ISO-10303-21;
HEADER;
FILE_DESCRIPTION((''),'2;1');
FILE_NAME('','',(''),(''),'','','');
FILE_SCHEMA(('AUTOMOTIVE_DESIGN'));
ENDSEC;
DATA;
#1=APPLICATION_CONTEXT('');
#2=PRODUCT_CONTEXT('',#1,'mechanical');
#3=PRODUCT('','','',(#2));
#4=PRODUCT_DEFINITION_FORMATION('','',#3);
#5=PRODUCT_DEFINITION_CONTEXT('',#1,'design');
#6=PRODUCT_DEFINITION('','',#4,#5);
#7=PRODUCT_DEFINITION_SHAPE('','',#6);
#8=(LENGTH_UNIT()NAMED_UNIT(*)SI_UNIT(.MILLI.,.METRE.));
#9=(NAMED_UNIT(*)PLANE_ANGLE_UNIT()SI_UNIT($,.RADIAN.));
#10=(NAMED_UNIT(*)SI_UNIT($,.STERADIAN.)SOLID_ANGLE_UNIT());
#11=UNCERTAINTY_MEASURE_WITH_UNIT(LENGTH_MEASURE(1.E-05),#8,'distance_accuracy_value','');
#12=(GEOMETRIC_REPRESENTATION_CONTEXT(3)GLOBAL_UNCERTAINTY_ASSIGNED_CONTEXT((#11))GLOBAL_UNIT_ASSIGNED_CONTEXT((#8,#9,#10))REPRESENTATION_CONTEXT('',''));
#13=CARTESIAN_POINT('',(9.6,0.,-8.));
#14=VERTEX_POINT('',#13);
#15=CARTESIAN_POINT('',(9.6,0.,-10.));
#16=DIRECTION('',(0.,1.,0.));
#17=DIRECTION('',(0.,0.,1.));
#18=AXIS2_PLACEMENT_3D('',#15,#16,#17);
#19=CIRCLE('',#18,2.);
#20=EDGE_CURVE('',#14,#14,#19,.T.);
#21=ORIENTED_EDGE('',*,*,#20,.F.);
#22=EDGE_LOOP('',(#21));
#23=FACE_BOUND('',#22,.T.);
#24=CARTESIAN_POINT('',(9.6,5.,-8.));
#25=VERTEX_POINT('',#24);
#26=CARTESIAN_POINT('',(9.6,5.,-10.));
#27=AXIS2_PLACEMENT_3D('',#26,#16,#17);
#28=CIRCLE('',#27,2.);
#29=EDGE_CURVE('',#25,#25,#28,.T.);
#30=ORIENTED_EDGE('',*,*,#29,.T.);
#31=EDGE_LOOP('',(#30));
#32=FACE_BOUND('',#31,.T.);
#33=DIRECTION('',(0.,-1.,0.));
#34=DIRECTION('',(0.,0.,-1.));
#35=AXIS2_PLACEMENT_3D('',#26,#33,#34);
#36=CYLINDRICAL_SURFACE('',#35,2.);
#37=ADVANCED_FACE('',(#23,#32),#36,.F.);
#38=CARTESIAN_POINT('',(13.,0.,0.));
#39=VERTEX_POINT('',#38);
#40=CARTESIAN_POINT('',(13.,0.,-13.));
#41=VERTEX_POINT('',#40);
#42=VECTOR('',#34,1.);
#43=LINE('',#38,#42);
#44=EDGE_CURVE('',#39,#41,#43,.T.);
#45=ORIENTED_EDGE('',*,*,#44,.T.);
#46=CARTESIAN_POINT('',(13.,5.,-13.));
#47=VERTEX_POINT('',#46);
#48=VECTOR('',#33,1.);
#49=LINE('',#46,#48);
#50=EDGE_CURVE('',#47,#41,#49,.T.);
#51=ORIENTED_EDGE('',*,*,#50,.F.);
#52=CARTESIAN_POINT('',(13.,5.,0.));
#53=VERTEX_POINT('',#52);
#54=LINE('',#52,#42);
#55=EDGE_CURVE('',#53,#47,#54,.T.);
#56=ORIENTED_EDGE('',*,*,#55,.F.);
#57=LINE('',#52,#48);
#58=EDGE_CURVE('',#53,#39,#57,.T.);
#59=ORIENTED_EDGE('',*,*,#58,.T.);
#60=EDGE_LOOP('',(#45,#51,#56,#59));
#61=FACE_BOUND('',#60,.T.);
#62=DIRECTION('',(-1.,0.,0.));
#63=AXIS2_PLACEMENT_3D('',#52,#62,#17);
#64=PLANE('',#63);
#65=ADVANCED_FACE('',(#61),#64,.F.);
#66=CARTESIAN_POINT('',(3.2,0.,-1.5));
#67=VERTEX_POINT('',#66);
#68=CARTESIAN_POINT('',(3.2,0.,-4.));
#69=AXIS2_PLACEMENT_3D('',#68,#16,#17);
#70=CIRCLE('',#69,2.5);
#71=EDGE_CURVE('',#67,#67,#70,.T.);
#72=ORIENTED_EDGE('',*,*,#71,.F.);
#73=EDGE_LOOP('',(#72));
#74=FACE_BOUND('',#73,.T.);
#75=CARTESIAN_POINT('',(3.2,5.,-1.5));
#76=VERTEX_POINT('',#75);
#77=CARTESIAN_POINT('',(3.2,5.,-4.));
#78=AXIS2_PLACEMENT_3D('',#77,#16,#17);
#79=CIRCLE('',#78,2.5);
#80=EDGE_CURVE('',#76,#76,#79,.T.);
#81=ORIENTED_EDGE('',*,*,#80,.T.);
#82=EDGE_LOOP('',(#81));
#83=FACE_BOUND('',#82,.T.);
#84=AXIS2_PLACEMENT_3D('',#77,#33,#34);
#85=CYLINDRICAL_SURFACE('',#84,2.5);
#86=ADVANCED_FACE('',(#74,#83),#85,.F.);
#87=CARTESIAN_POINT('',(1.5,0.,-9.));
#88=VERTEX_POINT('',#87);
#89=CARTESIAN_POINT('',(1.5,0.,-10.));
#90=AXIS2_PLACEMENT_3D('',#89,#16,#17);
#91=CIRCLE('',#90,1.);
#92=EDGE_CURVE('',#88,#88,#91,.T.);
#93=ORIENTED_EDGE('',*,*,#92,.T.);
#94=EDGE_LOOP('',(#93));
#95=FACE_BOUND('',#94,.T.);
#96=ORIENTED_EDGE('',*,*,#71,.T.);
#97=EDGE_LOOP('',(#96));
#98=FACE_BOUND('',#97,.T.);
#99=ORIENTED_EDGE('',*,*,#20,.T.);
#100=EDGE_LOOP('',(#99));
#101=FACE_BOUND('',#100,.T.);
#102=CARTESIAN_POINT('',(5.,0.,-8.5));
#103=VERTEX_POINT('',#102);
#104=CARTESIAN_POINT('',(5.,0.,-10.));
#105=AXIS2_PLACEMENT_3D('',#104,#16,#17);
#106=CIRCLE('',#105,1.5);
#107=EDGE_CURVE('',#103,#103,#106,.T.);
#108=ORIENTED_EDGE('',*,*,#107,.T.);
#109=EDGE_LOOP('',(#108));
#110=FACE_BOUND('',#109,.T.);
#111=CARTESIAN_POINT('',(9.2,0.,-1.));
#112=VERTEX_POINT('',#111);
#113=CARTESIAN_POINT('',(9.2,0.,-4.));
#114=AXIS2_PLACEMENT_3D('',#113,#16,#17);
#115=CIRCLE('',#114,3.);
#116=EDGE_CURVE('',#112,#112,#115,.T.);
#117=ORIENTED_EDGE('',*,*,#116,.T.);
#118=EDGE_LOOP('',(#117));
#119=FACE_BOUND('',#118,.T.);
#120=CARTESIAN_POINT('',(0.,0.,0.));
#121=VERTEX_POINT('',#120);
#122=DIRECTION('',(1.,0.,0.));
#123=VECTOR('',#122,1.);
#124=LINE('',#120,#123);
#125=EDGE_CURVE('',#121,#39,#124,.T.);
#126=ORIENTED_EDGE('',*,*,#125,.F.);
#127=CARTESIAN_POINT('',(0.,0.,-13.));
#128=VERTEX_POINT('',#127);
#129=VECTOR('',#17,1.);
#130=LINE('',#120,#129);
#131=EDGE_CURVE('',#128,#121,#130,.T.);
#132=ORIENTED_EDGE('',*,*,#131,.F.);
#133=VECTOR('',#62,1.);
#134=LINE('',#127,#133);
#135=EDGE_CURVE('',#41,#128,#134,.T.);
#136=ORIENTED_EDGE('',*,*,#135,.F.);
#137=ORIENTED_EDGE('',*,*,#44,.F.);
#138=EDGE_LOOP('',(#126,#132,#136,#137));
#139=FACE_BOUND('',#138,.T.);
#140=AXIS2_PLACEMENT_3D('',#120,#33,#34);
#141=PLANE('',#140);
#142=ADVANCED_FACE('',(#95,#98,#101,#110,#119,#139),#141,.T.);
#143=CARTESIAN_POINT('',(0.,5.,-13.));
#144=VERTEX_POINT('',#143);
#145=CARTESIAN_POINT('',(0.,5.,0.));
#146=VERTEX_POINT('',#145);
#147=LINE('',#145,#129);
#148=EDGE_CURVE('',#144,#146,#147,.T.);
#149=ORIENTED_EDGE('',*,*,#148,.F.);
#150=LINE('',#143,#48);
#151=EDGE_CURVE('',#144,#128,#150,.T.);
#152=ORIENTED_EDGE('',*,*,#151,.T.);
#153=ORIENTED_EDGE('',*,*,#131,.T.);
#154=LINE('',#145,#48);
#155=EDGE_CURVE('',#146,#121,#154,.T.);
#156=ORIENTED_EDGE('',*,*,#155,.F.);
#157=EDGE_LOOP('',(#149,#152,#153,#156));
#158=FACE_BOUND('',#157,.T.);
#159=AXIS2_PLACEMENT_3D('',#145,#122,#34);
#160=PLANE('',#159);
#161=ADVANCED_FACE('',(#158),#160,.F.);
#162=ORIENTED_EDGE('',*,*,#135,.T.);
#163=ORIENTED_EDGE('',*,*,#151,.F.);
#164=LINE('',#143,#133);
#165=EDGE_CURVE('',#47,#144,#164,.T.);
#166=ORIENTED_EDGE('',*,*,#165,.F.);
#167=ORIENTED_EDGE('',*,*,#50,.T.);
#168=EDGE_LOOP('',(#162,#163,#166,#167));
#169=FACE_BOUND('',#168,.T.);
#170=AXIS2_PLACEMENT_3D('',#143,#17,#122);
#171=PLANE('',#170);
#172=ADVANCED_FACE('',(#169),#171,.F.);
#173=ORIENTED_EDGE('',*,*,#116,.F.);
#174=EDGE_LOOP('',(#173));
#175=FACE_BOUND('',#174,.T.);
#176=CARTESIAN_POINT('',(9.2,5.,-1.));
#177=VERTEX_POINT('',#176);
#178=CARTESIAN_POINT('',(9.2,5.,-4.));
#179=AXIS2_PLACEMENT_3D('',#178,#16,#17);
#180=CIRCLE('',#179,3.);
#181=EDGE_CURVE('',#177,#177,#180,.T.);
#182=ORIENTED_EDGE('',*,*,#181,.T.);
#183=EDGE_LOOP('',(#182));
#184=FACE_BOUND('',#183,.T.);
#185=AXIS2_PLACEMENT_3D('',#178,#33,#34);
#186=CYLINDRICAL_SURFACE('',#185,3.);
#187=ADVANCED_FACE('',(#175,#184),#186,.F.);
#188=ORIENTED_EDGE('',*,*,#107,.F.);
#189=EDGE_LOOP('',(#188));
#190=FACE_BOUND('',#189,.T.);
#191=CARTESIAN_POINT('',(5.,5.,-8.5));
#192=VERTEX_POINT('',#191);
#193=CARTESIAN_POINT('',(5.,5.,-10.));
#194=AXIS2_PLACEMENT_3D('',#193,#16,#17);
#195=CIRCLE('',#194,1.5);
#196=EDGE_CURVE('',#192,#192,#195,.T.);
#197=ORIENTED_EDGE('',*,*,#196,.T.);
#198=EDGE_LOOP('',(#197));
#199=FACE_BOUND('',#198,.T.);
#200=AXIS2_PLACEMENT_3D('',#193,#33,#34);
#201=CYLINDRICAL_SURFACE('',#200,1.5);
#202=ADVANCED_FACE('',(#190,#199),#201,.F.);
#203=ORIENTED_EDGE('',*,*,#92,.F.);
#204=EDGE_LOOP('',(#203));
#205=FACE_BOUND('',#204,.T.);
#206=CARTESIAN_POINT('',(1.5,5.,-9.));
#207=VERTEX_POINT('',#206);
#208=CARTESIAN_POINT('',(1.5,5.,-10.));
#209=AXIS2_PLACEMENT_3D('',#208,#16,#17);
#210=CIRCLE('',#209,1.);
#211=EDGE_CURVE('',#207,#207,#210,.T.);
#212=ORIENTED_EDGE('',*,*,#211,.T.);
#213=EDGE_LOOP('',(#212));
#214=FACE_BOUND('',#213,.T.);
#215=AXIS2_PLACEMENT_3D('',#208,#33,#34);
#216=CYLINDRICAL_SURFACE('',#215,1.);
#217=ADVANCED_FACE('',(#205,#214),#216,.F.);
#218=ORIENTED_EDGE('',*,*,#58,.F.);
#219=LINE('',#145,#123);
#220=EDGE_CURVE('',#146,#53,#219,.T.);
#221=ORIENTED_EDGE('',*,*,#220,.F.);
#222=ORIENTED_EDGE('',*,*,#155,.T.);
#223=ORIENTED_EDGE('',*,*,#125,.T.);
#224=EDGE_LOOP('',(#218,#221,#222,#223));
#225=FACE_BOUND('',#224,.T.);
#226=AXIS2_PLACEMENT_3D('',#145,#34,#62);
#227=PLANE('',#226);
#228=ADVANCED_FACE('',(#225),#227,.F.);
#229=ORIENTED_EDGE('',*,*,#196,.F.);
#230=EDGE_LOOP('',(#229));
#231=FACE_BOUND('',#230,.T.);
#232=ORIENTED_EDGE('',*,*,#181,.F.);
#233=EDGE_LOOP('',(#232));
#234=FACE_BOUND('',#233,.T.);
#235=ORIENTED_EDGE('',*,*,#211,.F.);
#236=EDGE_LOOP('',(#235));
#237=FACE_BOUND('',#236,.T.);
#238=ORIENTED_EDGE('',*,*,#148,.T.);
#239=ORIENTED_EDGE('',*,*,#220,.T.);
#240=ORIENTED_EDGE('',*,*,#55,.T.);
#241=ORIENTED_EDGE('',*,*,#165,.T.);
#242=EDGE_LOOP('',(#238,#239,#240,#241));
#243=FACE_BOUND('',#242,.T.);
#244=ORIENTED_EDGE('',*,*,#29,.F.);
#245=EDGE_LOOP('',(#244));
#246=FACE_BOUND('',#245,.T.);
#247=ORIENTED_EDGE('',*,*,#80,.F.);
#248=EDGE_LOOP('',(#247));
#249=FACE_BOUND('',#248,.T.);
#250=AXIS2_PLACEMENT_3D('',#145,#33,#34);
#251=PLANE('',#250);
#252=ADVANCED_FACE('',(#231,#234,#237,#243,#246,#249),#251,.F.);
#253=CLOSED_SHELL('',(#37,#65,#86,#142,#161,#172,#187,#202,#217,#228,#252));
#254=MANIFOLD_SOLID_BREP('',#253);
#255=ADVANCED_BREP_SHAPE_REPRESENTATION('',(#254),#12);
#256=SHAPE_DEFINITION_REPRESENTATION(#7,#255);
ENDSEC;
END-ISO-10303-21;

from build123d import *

# Parameters (mm, degrees)
SKETCH1_W           = 13
SKETCH1_H           = 13
SKETCH1_R           = 1
SKETCH1_R_2         = 1.5
SKETCH1_R_3         = 2
SKETCH1_R_4         = 2.5
SKETCH1_R_5         = 3
BOSS_EXTRUDE1_DEPTH = 5


with BuildPart() as part:
    # Sketch1 → Boss-Extrude1 (new body)
    with BuildSketch(Plane(origin=(0, 0, 0), x_dir=(1, 0, 0), z_dir=(0, 1, 0))):
        with Locations((6.5, 6.5)):
            Rectangle(SKETCH1_W, SKETCH1_H)
        with Locations((1.5, 10)):
            Circle(SKETCH1_R, mode=Mode.SUBTRACT)
        with Locations((5, 10)):
            Circle(SKETCH1_R_2, mode=Mode.SUBTRACT)
        with Locations((9.6, 10)):
            Circle(SKETCH1_R_3, mode=Mode.SUBTRACT)
        with Locations((3.2, 4)):
            Circle(SKETCH1_R_4, mode=Mode.SUBTRACT)
        with Locations((9.2, 4)):
            Circle(SKETCH1_R_5, mode=Mode.SUBTRACT)
    extrude(amount=BOSS_EXTRUDE1_DEPTH)


solid = part.part
